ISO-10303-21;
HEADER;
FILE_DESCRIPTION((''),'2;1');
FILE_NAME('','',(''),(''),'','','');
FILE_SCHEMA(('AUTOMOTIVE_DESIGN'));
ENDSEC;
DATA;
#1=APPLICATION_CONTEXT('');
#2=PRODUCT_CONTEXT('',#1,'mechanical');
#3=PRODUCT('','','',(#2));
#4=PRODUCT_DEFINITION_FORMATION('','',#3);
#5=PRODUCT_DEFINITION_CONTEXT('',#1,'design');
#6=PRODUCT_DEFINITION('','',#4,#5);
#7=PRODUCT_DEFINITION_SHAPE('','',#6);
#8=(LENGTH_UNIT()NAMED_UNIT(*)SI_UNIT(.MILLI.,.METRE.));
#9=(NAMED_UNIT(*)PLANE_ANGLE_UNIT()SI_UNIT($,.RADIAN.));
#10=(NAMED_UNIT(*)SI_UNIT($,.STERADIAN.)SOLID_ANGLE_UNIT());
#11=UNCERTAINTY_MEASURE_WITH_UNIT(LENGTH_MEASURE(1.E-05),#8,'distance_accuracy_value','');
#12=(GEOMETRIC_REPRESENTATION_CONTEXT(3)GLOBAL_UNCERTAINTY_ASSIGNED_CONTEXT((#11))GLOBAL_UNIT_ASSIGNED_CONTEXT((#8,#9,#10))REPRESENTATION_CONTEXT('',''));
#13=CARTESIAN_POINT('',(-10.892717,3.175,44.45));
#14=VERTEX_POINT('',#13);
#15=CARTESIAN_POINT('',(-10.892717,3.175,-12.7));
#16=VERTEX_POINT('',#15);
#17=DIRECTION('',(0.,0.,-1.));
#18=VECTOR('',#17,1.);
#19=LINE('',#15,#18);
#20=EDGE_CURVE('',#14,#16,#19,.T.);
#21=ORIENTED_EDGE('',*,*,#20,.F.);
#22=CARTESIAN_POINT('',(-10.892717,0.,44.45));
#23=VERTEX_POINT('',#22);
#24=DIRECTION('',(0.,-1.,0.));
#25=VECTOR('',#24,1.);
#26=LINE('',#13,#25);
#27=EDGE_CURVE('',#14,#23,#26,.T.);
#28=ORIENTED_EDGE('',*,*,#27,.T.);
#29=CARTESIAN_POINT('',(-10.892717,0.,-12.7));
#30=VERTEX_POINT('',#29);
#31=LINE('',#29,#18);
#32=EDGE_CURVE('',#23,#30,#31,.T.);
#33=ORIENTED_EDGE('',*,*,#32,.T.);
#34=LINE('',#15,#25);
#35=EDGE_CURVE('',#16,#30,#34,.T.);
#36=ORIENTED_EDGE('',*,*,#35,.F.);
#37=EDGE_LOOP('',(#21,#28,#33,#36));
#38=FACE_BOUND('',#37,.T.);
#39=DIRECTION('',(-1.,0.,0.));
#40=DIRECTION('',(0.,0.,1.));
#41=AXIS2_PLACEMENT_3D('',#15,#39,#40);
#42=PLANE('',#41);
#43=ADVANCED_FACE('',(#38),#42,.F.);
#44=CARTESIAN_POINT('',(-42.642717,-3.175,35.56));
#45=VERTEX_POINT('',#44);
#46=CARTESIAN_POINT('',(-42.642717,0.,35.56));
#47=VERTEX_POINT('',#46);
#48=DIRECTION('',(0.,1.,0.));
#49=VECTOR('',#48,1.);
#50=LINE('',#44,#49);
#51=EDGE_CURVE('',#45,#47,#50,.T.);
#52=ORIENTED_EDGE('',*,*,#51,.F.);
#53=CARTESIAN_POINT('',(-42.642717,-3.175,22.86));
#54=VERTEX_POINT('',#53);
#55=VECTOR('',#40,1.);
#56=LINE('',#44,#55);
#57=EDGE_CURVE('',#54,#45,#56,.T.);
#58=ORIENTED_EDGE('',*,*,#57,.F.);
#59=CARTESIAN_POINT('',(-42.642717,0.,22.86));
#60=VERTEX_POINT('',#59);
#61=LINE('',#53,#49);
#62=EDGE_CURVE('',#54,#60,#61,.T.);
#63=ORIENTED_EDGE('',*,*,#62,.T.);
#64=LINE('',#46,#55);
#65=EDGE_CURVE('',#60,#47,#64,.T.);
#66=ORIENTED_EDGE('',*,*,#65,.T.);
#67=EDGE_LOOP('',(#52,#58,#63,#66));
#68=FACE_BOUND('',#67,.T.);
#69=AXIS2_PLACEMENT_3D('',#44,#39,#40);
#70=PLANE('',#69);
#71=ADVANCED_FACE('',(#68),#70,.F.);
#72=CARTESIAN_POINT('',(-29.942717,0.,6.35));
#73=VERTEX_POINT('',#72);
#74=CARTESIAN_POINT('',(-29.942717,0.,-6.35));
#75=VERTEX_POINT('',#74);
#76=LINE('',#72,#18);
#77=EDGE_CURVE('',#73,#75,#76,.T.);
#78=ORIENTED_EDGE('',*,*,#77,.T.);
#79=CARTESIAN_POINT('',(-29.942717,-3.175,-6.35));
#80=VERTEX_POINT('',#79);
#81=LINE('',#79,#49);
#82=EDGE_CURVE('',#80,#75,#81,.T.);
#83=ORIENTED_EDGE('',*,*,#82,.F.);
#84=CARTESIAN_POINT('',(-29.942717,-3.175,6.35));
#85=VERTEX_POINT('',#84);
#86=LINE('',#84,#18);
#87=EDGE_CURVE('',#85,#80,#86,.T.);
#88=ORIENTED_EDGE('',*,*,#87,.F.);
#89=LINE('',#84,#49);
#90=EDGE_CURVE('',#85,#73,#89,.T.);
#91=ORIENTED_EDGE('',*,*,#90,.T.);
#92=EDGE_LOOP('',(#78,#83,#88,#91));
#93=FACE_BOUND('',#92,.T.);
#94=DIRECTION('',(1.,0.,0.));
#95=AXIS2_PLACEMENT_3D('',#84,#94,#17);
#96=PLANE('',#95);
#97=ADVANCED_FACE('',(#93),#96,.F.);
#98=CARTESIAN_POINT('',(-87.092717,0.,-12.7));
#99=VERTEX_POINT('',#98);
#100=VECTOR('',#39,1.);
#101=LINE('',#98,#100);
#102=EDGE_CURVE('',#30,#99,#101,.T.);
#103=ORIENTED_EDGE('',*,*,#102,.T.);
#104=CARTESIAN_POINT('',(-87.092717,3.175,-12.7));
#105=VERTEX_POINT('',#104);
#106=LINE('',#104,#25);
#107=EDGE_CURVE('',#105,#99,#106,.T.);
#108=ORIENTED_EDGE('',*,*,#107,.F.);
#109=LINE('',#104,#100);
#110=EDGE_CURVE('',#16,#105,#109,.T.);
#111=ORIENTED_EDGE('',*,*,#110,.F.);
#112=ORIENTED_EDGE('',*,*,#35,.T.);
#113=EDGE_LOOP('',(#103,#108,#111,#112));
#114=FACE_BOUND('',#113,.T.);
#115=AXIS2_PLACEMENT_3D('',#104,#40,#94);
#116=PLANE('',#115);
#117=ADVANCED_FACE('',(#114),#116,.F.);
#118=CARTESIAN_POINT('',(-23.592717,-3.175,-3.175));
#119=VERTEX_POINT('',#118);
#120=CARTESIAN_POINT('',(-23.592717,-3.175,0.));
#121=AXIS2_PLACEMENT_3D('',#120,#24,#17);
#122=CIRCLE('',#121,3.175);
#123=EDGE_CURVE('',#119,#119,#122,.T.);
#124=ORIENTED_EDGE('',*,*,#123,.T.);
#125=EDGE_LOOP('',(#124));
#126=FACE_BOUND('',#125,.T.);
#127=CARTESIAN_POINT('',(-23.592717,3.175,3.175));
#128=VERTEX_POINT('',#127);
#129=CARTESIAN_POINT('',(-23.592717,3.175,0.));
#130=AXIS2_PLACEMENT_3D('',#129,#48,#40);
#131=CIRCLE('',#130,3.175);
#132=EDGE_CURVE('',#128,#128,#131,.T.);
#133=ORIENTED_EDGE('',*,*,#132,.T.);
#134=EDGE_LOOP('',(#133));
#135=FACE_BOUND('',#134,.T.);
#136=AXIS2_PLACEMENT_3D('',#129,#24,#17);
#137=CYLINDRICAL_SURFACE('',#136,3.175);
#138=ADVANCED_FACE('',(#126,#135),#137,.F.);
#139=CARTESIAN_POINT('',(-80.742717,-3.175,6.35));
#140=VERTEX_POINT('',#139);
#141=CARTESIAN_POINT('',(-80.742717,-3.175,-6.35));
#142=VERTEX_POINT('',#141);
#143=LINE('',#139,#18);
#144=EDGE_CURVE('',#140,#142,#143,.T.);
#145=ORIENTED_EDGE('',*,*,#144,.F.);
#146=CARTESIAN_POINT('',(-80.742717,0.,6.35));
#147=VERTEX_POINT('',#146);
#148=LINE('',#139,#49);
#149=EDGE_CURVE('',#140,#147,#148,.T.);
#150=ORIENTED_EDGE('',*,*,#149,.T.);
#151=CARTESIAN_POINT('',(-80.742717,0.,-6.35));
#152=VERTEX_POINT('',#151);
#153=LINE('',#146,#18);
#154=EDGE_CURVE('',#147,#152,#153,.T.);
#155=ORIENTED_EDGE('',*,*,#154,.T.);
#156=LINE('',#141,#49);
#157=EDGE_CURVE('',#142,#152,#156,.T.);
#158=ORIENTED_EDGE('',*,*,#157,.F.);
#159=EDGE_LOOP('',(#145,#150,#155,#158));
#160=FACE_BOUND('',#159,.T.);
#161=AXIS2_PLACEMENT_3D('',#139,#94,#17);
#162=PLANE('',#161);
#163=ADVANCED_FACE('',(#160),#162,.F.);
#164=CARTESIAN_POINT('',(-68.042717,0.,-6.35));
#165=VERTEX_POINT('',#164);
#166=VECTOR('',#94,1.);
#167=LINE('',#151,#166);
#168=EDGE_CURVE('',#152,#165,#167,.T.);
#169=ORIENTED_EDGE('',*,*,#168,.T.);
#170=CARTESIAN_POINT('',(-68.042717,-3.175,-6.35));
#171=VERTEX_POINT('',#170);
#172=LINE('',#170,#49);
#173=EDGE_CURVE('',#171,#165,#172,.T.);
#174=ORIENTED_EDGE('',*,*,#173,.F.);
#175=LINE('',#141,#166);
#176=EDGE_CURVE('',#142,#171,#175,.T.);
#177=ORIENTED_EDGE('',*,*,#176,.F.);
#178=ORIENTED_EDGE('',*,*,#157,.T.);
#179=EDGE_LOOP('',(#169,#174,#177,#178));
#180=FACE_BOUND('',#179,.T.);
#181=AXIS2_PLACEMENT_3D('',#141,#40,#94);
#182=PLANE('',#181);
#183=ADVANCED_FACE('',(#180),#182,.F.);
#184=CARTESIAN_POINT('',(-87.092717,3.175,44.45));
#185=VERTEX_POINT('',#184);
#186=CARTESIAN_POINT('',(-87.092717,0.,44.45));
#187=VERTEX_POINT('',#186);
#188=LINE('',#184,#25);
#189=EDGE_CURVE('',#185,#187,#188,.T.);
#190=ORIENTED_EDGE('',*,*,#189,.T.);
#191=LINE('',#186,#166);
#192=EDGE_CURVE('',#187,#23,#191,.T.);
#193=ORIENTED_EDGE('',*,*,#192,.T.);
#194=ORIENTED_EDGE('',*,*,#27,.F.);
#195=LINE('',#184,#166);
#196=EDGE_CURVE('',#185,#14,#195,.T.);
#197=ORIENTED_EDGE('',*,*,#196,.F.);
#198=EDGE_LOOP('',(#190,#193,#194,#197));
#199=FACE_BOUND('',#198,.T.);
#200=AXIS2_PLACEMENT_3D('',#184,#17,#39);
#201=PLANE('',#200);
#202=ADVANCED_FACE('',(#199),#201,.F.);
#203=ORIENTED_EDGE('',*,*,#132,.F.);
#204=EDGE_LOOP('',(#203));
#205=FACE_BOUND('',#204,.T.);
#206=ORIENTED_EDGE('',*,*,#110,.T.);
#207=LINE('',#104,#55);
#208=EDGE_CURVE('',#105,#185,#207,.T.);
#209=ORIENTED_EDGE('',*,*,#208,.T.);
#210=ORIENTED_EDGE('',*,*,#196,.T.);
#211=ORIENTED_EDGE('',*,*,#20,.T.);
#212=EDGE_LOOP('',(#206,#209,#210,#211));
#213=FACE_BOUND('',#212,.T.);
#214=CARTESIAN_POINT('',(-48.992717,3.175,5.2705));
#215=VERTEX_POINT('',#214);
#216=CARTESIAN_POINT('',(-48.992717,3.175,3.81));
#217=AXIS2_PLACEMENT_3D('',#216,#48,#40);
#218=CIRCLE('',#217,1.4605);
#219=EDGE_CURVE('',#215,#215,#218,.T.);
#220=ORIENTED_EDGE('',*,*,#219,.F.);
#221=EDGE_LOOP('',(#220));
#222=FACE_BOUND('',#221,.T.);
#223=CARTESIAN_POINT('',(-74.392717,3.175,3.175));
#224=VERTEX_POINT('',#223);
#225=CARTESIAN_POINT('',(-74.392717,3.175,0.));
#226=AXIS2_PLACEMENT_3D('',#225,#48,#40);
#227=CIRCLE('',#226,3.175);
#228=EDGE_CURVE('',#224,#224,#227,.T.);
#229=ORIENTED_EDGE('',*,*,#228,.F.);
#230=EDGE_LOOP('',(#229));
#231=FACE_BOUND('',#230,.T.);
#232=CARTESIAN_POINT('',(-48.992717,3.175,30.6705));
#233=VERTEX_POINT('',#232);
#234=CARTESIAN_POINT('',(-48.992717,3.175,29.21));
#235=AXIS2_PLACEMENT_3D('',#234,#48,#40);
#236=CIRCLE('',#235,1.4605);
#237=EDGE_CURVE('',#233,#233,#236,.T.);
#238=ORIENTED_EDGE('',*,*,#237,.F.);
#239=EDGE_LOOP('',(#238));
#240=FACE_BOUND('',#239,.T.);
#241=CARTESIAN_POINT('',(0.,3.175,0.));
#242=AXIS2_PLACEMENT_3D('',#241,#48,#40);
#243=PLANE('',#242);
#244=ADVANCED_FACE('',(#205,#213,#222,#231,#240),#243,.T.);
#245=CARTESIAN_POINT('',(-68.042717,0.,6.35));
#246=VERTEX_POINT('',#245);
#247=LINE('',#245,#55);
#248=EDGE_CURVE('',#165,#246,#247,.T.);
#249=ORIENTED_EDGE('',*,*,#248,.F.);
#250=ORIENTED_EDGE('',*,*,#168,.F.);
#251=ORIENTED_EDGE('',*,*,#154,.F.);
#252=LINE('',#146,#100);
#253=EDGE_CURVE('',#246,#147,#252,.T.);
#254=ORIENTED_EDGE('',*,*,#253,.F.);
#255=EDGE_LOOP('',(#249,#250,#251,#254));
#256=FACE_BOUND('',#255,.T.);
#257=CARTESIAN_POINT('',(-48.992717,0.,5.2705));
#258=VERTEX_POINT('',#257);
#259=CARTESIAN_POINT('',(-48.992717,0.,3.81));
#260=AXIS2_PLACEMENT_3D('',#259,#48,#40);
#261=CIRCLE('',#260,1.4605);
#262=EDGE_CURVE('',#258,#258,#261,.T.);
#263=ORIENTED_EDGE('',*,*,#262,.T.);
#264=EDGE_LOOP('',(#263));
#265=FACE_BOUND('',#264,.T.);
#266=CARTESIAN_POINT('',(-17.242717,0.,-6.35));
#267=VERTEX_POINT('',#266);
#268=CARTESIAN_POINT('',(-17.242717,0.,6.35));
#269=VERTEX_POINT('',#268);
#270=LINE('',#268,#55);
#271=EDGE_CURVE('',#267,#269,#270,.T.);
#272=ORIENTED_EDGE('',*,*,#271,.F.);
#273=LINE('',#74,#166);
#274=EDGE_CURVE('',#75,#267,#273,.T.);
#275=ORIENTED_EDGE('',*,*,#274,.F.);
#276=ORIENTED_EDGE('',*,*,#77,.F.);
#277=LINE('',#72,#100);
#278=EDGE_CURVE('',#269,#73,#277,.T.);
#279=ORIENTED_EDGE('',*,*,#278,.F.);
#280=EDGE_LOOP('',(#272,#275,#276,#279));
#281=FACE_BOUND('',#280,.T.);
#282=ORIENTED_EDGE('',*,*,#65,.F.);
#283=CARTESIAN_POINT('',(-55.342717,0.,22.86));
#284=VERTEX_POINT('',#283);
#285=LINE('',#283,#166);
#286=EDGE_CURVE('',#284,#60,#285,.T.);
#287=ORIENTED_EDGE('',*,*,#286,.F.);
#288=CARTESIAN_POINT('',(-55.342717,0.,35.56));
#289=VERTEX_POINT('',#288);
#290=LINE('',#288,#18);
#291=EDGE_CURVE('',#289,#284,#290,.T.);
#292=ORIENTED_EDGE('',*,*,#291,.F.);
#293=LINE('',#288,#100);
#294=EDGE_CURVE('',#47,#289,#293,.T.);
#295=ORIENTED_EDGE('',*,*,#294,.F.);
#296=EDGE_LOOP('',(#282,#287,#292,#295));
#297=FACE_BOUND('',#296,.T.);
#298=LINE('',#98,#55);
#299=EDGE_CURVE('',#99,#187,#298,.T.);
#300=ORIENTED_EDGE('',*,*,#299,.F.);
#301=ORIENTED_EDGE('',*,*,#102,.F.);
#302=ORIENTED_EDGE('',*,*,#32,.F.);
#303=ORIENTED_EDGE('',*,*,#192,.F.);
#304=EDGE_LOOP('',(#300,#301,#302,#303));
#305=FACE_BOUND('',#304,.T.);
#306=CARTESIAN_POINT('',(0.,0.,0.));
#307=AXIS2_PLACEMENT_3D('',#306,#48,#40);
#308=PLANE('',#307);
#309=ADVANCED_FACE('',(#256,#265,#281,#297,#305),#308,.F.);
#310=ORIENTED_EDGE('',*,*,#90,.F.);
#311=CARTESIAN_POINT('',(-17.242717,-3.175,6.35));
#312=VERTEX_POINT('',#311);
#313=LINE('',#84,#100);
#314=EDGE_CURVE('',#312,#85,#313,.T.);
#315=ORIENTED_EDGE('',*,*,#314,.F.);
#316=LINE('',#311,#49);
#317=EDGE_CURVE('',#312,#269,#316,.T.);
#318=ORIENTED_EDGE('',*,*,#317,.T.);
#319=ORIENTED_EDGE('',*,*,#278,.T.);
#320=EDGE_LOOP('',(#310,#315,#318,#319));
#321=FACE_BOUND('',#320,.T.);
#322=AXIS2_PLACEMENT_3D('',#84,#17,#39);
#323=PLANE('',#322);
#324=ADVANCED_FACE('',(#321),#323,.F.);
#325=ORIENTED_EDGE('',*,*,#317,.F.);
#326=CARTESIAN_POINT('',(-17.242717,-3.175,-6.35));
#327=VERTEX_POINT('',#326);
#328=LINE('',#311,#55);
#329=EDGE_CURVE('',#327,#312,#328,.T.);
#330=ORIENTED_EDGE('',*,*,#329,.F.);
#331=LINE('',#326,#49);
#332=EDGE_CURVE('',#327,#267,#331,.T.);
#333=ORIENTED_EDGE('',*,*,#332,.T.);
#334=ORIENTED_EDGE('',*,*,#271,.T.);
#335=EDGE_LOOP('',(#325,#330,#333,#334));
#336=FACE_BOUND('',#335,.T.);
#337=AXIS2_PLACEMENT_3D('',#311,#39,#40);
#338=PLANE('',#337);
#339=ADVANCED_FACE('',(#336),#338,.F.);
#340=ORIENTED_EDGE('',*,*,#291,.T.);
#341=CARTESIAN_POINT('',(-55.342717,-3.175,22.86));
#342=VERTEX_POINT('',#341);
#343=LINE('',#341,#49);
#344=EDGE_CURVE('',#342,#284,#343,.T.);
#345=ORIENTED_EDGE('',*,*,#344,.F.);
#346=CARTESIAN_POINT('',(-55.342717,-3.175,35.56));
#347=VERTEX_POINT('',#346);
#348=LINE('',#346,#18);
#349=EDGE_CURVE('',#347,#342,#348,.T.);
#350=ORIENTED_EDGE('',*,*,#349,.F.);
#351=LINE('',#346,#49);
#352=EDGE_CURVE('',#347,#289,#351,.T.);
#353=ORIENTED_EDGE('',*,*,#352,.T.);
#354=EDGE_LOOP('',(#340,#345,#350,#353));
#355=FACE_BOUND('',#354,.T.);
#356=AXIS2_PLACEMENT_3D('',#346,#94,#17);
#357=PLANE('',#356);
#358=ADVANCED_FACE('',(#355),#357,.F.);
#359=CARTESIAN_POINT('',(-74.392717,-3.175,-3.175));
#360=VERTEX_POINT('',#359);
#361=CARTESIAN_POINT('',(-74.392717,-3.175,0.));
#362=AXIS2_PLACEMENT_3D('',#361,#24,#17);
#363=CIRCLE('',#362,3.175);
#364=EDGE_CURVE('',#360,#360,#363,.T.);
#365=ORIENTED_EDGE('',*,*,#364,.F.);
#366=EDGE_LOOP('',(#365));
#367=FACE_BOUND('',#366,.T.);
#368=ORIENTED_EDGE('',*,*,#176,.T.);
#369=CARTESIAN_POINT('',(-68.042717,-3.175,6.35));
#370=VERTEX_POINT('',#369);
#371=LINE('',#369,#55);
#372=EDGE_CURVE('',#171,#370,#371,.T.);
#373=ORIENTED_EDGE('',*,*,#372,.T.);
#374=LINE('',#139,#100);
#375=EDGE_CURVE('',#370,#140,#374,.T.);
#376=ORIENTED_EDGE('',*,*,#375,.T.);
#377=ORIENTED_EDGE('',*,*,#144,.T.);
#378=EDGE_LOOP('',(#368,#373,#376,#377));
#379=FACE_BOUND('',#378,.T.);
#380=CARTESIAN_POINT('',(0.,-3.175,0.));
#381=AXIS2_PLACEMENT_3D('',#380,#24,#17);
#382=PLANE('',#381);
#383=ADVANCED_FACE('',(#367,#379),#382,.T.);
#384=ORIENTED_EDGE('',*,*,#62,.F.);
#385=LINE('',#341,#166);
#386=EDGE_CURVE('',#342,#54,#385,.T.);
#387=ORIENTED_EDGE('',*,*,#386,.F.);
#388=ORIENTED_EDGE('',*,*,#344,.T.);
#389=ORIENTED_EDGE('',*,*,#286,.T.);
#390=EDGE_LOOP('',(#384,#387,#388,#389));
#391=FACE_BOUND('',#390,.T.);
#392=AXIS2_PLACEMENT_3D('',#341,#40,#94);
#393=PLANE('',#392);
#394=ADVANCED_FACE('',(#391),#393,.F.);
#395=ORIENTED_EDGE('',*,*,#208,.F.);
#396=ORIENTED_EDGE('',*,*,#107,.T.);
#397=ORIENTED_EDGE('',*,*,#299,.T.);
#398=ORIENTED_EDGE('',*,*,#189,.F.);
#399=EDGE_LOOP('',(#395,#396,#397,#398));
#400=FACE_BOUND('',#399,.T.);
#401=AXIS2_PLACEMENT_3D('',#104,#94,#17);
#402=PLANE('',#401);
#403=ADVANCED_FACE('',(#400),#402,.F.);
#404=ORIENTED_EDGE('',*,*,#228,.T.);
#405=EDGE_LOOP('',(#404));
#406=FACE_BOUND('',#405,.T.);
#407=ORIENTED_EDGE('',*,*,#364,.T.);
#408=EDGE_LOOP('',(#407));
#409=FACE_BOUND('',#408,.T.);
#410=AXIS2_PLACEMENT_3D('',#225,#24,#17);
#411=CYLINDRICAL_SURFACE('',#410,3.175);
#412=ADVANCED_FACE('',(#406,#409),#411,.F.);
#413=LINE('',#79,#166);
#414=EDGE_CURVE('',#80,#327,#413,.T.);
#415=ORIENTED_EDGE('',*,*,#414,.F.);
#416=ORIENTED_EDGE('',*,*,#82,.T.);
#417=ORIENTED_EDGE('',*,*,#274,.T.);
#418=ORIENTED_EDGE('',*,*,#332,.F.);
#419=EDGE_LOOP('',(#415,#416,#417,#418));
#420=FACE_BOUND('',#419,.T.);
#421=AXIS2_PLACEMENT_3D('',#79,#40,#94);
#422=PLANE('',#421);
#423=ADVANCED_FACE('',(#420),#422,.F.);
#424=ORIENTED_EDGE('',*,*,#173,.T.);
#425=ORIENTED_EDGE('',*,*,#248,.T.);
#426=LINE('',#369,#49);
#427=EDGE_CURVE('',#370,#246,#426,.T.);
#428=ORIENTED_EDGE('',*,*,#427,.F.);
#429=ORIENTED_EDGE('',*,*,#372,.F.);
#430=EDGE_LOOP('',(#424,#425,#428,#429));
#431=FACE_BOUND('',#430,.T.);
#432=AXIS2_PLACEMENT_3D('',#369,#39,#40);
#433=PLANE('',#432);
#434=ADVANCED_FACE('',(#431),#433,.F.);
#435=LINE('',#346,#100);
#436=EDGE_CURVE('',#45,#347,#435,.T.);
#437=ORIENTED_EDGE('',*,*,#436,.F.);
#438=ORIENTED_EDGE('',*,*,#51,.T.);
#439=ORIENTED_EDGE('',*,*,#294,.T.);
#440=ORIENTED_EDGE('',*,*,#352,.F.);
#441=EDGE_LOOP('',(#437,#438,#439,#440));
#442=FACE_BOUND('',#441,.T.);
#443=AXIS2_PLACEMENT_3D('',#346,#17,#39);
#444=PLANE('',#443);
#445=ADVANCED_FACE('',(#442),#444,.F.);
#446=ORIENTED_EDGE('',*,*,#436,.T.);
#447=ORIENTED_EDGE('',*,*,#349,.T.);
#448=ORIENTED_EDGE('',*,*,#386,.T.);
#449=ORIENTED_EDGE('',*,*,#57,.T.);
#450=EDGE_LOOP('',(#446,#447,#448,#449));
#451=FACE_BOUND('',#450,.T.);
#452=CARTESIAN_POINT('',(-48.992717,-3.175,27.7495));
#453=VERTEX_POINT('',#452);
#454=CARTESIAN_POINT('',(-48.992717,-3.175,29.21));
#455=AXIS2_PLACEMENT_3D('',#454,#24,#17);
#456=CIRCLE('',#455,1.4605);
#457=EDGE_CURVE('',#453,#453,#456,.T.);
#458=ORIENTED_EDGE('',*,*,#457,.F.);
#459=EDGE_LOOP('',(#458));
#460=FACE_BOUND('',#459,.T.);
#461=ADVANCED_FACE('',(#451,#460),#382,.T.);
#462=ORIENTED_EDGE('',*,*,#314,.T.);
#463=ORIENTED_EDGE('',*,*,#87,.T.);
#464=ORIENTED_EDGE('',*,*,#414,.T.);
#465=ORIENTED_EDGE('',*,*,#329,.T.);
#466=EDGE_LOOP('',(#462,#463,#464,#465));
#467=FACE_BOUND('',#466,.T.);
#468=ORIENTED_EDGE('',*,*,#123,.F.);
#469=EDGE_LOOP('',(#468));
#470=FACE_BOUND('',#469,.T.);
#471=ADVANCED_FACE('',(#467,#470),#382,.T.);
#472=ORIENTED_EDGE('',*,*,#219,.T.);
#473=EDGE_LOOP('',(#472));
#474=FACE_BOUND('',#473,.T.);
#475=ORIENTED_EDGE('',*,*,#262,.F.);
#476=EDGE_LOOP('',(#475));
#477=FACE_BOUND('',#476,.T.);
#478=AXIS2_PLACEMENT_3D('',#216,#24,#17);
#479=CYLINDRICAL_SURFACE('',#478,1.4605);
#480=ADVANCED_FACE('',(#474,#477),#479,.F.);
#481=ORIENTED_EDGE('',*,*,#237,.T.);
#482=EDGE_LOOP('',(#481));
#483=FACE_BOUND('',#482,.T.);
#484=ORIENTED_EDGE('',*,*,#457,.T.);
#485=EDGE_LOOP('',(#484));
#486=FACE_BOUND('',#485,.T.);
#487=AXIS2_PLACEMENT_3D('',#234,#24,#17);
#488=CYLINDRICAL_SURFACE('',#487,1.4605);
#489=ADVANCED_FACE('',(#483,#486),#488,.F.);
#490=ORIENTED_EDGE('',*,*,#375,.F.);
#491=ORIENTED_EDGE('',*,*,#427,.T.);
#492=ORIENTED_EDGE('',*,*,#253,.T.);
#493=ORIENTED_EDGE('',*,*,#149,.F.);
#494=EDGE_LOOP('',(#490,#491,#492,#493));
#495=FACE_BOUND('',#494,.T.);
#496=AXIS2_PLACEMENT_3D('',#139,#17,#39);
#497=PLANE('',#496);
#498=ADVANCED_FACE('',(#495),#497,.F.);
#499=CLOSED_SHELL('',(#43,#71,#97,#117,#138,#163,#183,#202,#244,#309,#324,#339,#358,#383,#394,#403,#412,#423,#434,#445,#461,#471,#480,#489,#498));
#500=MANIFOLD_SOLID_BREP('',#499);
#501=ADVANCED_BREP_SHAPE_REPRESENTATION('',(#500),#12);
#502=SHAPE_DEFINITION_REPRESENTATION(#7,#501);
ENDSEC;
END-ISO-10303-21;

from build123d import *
from build123d.topology import SkipClean

# Parameters (mm, degrees)
SKETCH2_W           = 76.2
SKETCH2_H           = 57.15
SKETCH2_R           = 3.175
SKETCH2_R_2         = 1.4605
BOSS_EXTRUDE2_DEPTH = 3.175
BOSS_EXTRUDE6_START = 3.175
SKETCH7_W           = 12.7
SKETCH7_H           = 12.7
SKETCH7_R           = 3.175
SKETCH7_R_2         = 1.4605
BOSS_EXTRUDE6_DEPTH = 3.175


with BuildPart() as part:
    # Sketch2 → Boss-Extrude2 (new body)
    with BuildSketch(Plane(origin=(-10.658170765, 0, 0), x_dir=(1, 0, 0), z_dir=(0, 1, 0))):
        with Locations((-38.334546053, -15.875)):
            Rectangle(SKETCH2_W, SKETCH2_H)
        with Locations(Location((-63.734546053, 0, 0), (0, 0, 270))):
            Circle(SKETCH2_R, mode=Mode.SUBTRACT)
        with Locations(Location((-12.934546053, 0, 0), (0, 0, 270))):
            Circle(SKETCH2_R, mode=Mode.SUBTRACT)
        with Locations(Location((-38.334546053, -29.21, 0), (0, 0, 270))):
            Circle(SKETCH2_R_2, mode=Mode.SUBTRACT)
        with Locations(Location((-38.334546053, -3.81, 0), (0, 0, 270))):
            Circle(SKETCH2_R_2, mode=Mode.SUBTRACT)
    extrude(amount=BOSS_EXTRUDE2_DEPTH)

    # Sketch7 → Boss-Extrude6 (add)
    # profile 1 of 3: a face of its own
    with SkipClean():  # the faces are left unmerged after this step: merging them gives an invalid solid
        with BuildSketch(Plane.XZ.offset(BOSS_EXTRUDE6_START)):
            with Locations((-74.392716818, 0)):
                Rectangle(SKETCH7_W, SKETCH7_H)
            with Locations(Location((-74.392716818, 0, 0), (0, 0, 270))):
                Circle(SKETCH7_R, mode=Mode.SUBTRACT)
        # profile 2 of 3: a face of its own
        with BuildSketch(Plane.XZ.offset(BOSS_EXTRUDE6_START)):
            with Locations((-23.592716818, 0)):
                Rectangle(SKETCH7_W, SKETCH7_H)
            with Locations(Location((-23.592716818, 0, 0), (0, 0, 270))):
                Circle(SKETCH7_R, mode=Mode.SUBTRACT)
        # profile 3 of 3: a face of its own
        with BuildSketch(Plane.XZ.offset(BOSS_EXTRUDE6_START)):
            with Locations((-48.992716818, 29.21)):
                Rectangle(SKETCH7_W, SKETCH7_H)
            with Locations(Location((-48.992716818, 29.21, 0), (0, 0, 270))):
                Circle(SKETCH7_R_2, mode=Mode.SUBTRACT)
        extrude(amount=-BOSS_EXTRUDE6_DEPTH)


solid = part.part
